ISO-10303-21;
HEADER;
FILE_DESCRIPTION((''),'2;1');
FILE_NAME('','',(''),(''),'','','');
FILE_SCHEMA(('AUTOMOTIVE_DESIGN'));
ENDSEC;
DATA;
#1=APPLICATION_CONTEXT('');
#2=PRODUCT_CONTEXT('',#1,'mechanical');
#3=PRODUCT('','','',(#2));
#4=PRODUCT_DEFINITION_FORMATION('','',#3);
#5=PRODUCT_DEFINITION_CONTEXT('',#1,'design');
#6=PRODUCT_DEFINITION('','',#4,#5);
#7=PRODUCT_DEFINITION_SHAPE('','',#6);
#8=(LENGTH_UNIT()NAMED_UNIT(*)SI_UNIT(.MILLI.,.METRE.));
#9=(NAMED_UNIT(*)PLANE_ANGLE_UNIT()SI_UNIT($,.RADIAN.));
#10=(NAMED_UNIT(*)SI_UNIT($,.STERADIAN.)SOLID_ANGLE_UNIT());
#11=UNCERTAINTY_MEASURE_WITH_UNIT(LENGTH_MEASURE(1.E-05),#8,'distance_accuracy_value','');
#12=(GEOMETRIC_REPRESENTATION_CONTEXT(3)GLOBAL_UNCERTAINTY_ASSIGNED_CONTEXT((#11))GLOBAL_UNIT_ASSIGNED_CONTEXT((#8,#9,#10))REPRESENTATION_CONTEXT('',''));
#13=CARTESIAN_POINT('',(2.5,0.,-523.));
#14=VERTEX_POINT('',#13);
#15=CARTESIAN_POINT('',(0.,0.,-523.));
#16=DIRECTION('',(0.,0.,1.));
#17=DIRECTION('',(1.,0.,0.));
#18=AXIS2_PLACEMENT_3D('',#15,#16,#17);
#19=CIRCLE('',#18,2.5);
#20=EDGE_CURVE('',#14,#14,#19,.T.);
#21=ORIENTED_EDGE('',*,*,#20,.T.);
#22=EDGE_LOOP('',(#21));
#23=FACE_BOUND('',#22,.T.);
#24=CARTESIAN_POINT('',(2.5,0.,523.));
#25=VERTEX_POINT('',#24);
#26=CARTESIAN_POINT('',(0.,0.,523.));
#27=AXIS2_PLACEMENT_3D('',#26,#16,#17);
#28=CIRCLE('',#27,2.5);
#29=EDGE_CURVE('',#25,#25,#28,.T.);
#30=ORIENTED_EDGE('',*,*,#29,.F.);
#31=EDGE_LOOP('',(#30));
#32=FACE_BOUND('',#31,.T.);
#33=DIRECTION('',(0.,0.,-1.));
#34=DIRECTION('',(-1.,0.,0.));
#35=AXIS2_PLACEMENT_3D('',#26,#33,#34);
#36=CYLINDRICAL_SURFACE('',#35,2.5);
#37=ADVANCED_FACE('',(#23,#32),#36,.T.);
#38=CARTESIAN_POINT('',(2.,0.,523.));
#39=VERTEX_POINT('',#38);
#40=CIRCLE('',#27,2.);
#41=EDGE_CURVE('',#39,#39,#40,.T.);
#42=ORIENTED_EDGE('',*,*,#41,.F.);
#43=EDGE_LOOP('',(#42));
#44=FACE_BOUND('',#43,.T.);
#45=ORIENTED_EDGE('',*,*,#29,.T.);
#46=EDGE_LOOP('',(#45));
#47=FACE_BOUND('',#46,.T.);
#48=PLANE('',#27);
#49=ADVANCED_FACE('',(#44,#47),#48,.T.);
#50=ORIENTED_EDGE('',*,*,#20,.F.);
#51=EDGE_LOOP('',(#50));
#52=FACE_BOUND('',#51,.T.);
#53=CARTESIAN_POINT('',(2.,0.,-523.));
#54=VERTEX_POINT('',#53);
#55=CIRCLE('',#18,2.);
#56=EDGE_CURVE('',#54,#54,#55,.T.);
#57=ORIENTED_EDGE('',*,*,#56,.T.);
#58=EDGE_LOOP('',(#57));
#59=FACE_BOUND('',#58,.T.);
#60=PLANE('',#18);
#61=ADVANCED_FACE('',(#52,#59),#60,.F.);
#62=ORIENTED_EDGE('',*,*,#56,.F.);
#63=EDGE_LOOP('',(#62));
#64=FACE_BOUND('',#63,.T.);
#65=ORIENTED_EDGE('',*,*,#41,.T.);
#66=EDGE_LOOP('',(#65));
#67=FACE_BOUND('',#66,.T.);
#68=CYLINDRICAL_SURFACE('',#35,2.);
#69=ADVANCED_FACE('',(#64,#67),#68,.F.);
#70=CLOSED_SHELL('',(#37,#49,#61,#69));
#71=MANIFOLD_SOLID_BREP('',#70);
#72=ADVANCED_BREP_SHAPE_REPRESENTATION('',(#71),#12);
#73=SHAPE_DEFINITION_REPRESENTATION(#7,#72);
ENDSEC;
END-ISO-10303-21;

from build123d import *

# Parameters (mm, degrees)
SKETCH1_R           = 2.5
SKETCH1_R_2         = 2
EXTRUDE_THIN1_DEPTH = 523


with BuildPart() as part:
    # Sketch1 → Extrude-Thin1 (new body, symmetric)
    with BuildSketch(Plane.XY):
        Circle(SKETCH1_R)
        Circle(SKETCH1_R_2, mode=Mode.SUBTRACT)
    extrude(amount=EXTRUDE_THIN1_DEPTH, both=True)


solid = part.part
